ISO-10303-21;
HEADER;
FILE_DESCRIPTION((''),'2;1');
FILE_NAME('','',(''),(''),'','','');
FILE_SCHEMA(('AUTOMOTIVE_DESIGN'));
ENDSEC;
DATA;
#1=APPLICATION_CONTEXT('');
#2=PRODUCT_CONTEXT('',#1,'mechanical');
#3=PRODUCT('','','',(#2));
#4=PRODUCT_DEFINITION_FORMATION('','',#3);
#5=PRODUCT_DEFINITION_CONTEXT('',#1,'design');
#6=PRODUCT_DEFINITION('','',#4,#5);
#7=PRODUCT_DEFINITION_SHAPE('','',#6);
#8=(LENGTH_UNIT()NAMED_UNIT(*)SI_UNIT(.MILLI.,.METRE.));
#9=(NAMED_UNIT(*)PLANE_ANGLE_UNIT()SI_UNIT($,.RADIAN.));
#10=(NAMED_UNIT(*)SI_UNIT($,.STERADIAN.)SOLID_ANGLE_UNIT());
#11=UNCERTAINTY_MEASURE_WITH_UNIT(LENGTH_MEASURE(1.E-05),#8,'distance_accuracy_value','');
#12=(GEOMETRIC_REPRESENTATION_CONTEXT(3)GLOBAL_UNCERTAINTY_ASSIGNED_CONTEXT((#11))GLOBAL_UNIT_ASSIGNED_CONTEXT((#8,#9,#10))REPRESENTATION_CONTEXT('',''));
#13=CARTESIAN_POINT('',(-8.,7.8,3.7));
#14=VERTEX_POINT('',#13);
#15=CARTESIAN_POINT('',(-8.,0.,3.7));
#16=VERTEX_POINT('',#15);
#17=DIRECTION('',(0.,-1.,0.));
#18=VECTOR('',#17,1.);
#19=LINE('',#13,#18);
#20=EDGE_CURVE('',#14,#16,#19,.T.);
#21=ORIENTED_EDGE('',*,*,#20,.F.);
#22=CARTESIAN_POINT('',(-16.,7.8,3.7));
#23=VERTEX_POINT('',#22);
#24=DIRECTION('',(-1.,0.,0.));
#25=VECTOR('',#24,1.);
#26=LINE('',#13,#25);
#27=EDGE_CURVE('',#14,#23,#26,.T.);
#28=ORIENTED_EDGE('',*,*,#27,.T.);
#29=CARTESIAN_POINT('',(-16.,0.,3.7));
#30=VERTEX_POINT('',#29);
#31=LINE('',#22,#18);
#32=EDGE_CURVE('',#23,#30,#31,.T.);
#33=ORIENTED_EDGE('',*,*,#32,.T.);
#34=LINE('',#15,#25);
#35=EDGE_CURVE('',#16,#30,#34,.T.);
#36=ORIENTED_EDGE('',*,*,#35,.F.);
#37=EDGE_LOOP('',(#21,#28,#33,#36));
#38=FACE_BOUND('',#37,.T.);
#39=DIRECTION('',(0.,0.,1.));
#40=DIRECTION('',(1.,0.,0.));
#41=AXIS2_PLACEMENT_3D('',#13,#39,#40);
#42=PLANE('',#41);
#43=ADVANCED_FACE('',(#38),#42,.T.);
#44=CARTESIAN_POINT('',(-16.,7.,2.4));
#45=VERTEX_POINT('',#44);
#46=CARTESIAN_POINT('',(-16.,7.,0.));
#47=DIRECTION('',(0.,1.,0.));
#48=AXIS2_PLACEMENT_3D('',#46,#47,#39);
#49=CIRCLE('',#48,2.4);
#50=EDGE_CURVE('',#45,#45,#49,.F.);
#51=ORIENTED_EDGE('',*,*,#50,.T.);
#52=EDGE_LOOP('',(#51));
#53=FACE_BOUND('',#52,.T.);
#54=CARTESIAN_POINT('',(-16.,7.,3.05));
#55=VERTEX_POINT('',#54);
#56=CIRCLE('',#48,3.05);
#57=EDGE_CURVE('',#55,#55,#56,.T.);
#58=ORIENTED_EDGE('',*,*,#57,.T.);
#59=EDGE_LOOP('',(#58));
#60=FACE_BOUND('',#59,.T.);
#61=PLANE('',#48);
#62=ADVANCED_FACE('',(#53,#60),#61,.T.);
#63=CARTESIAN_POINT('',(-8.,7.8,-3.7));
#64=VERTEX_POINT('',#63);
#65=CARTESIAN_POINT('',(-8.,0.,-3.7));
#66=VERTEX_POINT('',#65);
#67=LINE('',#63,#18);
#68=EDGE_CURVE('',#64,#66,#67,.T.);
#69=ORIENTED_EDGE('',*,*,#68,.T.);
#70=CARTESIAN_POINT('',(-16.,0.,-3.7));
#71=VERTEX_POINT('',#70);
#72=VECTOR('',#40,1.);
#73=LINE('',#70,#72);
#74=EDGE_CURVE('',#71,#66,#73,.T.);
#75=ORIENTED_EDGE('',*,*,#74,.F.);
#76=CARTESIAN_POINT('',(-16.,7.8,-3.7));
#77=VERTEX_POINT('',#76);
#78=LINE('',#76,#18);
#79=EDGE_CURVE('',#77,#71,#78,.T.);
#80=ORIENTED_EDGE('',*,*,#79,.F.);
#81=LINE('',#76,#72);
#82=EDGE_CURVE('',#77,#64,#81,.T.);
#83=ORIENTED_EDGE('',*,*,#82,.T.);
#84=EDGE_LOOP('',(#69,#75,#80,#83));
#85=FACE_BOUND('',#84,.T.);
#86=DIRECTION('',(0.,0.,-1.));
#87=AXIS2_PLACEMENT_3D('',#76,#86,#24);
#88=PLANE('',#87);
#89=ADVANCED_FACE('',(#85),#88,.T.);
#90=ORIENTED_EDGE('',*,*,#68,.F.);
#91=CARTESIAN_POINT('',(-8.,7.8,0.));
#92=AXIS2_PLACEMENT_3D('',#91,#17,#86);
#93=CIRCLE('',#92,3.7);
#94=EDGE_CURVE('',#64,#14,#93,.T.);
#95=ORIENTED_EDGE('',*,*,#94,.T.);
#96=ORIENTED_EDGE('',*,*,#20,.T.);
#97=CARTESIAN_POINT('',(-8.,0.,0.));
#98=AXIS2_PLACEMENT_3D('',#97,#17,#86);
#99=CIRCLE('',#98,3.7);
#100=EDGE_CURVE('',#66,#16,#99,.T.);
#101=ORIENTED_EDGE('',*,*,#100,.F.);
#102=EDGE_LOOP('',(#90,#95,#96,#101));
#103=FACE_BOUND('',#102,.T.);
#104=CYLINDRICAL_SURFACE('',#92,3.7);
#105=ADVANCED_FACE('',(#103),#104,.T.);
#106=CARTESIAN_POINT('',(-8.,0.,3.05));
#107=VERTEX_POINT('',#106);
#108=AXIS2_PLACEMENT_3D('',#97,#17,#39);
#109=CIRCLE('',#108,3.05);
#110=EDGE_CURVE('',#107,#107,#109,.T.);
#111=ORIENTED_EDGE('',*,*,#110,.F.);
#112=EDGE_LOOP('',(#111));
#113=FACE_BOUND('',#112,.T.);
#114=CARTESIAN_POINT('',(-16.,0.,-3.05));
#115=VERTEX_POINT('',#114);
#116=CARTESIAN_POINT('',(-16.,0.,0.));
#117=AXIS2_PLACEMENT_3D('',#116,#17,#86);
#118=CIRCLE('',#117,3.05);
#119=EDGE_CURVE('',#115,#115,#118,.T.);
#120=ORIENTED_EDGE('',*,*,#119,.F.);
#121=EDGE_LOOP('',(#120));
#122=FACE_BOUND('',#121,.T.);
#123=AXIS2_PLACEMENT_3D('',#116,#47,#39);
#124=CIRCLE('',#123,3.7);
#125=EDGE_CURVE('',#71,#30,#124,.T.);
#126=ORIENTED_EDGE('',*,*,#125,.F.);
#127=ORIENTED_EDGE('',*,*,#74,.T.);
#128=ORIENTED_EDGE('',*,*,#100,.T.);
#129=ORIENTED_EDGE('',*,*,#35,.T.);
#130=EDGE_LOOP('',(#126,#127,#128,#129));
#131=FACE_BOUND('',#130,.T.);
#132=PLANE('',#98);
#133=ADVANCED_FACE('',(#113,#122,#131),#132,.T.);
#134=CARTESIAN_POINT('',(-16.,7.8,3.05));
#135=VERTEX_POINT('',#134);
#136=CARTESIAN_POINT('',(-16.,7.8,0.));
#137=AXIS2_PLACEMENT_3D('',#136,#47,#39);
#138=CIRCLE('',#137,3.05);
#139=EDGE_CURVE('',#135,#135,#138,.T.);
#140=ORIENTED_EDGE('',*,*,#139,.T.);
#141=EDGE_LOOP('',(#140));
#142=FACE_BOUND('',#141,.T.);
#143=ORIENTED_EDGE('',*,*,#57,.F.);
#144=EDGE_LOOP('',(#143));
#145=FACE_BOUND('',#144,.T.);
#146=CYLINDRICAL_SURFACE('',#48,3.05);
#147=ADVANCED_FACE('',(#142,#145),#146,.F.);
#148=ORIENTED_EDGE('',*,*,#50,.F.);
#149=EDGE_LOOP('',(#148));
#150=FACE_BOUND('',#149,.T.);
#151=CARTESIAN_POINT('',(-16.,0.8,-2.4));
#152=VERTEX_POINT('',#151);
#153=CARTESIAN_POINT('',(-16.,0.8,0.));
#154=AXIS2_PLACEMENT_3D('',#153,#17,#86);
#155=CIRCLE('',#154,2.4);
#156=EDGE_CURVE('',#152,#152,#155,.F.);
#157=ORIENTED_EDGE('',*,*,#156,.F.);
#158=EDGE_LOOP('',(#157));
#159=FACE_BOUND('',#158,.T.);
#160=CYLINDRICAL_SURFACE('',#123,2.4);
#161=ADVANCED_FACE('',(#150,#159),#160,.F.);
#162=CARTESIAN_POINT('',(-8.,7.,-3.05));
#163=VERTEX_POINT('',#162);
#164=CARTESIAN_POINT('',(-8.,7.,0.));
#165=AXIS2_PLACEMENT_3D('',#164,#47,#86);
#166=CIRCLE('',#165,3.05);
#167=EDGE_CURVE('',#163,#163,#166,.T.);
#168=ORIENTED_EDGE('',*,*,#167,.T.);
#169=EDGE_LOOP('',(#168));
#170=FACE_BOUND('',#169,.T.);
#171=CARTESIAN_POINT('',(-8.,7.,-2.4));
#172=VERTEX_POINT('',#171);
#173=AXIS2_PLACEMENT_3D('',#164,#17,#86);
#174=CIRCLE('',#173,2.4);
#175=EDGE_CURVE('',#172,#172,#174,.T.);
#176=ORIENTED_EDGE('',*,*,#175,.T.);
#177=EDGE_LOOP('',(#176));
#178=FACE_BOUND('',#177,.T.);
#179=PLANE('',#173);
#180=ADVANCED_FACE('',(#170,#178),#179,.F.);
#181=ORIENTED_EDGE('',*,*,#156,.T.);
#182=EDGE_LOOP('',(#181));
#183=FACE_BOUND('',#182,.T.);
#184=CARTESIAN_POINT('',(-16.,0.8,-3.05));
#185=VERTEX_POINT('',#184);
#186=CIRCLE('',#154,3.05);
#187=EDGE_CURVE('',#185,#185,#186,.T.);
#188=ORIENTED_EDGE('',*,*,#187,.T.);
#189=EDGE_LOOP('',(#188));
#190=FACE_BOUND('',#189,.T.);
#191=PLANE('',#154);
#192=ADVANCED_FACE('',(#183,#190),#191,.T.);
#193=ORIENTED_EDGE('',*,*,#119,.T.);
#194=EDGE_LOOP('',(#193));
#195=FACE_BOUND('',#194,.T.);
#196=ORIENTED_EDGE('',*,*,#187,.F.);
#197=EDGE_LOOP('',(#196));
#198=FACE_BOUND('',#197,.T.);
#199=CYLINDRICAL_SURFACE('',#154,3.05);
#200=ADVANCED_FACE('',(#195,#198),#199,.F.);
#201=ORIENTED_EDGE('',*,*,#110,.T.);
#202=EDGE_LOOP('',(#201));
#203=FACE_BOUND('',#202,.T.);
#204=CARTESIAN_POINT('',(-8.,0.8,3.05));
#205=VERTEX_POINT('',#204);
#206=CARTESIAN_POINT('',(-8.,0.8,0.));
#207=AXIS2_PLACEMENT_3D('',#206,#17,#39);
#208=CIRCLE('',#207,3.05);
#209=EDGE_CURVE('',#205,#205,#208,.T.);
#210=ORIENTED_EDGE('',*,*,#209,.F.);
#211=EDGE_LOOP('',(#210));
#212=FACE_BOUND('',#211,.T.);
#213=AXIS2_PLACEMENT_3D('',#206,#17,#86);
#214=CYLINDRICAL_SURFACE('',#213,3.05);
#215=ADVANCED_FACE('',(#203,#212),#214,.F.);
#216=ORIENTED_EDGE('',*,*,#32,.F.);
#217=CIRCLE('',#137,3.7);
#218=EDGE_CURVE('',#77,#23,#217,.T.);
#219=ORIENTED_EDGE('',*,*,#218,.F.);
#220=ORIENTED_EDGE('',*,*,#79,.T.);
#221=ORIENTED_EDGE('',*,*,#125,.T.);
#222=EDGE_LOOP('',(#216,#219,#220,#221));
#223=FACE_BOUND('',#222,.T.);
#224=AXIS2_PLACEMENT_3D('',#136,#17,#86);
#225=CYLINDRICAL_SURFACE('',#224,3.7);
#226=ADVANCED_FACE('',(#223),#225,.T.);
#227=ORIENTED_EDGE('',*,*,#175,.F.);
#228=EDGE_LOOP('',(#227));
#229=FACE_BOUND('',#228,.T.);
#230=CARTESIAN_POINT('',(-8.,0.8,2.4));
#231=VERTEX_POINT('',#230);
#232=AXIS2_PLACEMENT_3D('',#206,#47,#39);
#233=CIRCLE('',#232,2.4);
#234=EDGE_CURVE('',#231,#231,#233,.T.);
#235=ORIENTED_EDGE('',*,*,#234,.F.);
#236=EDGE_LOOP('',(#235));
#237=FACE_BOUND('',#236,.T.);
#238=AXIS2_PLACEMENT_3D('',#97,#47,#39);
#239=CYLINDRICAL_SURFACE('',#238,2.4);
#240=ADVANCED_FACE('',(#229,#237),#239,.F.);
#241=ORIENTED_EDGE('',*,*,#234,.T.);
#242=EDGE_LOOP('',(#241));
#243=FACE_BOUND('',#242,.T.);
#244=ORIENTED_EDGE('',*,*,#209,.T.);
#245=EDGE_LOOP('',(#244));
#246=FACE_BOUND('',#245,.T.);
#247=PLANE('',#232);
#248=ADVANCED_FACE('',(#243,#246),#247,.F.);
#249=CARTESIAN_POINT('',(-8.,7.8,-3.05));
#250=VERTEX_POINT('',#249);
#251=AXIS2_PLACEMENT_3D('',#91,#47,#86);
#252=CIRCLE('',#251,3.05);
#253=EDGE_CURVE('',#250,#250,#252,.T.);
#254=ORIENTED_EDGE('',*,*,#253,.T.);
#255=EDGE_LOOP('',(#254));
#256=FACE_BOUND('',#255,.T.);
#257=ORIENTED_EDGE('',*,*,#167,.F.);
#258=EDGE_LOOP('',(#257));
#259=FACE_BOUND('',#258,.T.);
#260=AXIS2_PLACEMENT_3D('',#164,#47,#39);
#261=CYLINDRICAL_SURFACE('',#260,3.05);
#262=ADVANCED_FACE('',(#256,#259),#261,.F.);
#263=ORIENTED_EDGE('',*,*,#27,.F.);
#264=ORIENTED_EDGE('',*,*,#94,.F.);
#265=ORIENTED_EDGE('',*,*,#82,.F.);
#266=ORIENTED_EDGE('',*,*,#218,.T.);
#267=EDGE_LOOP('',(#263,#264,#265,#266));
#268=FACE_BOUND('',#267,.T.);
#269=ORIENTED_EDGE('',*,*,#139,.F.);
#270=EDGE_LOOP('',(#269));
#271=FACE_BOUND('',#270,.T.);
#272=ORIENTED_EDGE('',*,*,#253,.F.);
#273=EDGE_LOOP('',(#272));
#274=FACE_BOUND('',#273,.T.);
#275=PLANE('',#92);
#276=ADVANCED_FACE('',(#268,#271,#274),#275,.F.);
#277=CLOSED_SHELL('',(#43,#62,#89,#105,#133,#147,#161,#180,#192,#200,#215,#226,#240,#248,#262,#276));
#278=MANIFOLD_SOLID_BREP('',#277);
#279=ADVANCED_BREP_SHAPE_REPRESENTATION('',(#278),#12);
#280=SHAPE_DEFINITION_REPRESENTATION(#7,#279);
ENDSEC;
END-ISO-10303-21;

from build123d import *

# Parameters (mm, degrees)
BOSS_EXTRUDE3_DEPTH = 7.8
SKETCH2_R           = 2.4
CUT_EXTRUDE6_DEPTH  = 7.8
SKETCH3_R           = 3.05
CUT_EXTRUDE7_DEPTH  = 0.8
SKETCH4_R           = 3.05
CUT_EXTRUDE8_DEPTH  = 0.8


with BuildPart() as part:
    # Sketch1 → Boss-Extrude3 (new body)
    with BuildSketch(Plane(origin=(0, 0, 0), x_dir=(1, 0, 0), z_dir=(0, 1, 0))):
        with BuildLine():
            Line((-16, 3.7), (-8, 3.7))
            ThreePointArc((-8, 3.7), (-4.3, 0), (-8, -3.7))
            Line((-8, -3.7), (-16, -3.7))
            ThreePointArc((-16, -3.7), (-19.7, 0), (-16, 3.7))
        make_face()
    extrude(amount=BOSS_EXTRUDE3_DEPTH)

    # Sketch2 → Cut-Extrude6 (cut)
    with BuildSketch(Plane(origin=(0, 7.8, 0), x_dir=(1, 0, 0), z_dir=(0, 1, 0))):
        with Locations((-16, 0)):
            Circle(SKETCH2_R)
        with Locations((-8, 0)):
            Circle(SKETCH2_R)
    extrude(amount=-CUT_EXTRUDE6_DEPTH, mode=Mode.SUBTRACT)

    # Sketch3 → Cut-Extrude7 (cut)
    with BuildSketch(Plane(origin=(0, 7.8, 0), x_dir=(1, 0, 0), z_dir=(0, 1, 0))):
        with Locations((-16, 0)):
            Circle(SKETCH3_R)
        with Locations((-8, 0)):
            Circle(SKETCH3_R)
    extrude(amount=-CUT_EXTRUDE7_DEPTH, mode=Mode.SUBTRACT)

    # Sketch4 → Cut-Extrude8 (cut)
    with BuildSketch(Plane.XZ):
        with Locations((-16, 0)):
            Circle(SKETCH4_R)
        with Locations((-8, 0)):
            Circle(SKETCH4_R)
    extrude(amount=-CUT_EXTRUDE8_DEPTH, mode=Mode.SUBTRACT)


solid = part.part
